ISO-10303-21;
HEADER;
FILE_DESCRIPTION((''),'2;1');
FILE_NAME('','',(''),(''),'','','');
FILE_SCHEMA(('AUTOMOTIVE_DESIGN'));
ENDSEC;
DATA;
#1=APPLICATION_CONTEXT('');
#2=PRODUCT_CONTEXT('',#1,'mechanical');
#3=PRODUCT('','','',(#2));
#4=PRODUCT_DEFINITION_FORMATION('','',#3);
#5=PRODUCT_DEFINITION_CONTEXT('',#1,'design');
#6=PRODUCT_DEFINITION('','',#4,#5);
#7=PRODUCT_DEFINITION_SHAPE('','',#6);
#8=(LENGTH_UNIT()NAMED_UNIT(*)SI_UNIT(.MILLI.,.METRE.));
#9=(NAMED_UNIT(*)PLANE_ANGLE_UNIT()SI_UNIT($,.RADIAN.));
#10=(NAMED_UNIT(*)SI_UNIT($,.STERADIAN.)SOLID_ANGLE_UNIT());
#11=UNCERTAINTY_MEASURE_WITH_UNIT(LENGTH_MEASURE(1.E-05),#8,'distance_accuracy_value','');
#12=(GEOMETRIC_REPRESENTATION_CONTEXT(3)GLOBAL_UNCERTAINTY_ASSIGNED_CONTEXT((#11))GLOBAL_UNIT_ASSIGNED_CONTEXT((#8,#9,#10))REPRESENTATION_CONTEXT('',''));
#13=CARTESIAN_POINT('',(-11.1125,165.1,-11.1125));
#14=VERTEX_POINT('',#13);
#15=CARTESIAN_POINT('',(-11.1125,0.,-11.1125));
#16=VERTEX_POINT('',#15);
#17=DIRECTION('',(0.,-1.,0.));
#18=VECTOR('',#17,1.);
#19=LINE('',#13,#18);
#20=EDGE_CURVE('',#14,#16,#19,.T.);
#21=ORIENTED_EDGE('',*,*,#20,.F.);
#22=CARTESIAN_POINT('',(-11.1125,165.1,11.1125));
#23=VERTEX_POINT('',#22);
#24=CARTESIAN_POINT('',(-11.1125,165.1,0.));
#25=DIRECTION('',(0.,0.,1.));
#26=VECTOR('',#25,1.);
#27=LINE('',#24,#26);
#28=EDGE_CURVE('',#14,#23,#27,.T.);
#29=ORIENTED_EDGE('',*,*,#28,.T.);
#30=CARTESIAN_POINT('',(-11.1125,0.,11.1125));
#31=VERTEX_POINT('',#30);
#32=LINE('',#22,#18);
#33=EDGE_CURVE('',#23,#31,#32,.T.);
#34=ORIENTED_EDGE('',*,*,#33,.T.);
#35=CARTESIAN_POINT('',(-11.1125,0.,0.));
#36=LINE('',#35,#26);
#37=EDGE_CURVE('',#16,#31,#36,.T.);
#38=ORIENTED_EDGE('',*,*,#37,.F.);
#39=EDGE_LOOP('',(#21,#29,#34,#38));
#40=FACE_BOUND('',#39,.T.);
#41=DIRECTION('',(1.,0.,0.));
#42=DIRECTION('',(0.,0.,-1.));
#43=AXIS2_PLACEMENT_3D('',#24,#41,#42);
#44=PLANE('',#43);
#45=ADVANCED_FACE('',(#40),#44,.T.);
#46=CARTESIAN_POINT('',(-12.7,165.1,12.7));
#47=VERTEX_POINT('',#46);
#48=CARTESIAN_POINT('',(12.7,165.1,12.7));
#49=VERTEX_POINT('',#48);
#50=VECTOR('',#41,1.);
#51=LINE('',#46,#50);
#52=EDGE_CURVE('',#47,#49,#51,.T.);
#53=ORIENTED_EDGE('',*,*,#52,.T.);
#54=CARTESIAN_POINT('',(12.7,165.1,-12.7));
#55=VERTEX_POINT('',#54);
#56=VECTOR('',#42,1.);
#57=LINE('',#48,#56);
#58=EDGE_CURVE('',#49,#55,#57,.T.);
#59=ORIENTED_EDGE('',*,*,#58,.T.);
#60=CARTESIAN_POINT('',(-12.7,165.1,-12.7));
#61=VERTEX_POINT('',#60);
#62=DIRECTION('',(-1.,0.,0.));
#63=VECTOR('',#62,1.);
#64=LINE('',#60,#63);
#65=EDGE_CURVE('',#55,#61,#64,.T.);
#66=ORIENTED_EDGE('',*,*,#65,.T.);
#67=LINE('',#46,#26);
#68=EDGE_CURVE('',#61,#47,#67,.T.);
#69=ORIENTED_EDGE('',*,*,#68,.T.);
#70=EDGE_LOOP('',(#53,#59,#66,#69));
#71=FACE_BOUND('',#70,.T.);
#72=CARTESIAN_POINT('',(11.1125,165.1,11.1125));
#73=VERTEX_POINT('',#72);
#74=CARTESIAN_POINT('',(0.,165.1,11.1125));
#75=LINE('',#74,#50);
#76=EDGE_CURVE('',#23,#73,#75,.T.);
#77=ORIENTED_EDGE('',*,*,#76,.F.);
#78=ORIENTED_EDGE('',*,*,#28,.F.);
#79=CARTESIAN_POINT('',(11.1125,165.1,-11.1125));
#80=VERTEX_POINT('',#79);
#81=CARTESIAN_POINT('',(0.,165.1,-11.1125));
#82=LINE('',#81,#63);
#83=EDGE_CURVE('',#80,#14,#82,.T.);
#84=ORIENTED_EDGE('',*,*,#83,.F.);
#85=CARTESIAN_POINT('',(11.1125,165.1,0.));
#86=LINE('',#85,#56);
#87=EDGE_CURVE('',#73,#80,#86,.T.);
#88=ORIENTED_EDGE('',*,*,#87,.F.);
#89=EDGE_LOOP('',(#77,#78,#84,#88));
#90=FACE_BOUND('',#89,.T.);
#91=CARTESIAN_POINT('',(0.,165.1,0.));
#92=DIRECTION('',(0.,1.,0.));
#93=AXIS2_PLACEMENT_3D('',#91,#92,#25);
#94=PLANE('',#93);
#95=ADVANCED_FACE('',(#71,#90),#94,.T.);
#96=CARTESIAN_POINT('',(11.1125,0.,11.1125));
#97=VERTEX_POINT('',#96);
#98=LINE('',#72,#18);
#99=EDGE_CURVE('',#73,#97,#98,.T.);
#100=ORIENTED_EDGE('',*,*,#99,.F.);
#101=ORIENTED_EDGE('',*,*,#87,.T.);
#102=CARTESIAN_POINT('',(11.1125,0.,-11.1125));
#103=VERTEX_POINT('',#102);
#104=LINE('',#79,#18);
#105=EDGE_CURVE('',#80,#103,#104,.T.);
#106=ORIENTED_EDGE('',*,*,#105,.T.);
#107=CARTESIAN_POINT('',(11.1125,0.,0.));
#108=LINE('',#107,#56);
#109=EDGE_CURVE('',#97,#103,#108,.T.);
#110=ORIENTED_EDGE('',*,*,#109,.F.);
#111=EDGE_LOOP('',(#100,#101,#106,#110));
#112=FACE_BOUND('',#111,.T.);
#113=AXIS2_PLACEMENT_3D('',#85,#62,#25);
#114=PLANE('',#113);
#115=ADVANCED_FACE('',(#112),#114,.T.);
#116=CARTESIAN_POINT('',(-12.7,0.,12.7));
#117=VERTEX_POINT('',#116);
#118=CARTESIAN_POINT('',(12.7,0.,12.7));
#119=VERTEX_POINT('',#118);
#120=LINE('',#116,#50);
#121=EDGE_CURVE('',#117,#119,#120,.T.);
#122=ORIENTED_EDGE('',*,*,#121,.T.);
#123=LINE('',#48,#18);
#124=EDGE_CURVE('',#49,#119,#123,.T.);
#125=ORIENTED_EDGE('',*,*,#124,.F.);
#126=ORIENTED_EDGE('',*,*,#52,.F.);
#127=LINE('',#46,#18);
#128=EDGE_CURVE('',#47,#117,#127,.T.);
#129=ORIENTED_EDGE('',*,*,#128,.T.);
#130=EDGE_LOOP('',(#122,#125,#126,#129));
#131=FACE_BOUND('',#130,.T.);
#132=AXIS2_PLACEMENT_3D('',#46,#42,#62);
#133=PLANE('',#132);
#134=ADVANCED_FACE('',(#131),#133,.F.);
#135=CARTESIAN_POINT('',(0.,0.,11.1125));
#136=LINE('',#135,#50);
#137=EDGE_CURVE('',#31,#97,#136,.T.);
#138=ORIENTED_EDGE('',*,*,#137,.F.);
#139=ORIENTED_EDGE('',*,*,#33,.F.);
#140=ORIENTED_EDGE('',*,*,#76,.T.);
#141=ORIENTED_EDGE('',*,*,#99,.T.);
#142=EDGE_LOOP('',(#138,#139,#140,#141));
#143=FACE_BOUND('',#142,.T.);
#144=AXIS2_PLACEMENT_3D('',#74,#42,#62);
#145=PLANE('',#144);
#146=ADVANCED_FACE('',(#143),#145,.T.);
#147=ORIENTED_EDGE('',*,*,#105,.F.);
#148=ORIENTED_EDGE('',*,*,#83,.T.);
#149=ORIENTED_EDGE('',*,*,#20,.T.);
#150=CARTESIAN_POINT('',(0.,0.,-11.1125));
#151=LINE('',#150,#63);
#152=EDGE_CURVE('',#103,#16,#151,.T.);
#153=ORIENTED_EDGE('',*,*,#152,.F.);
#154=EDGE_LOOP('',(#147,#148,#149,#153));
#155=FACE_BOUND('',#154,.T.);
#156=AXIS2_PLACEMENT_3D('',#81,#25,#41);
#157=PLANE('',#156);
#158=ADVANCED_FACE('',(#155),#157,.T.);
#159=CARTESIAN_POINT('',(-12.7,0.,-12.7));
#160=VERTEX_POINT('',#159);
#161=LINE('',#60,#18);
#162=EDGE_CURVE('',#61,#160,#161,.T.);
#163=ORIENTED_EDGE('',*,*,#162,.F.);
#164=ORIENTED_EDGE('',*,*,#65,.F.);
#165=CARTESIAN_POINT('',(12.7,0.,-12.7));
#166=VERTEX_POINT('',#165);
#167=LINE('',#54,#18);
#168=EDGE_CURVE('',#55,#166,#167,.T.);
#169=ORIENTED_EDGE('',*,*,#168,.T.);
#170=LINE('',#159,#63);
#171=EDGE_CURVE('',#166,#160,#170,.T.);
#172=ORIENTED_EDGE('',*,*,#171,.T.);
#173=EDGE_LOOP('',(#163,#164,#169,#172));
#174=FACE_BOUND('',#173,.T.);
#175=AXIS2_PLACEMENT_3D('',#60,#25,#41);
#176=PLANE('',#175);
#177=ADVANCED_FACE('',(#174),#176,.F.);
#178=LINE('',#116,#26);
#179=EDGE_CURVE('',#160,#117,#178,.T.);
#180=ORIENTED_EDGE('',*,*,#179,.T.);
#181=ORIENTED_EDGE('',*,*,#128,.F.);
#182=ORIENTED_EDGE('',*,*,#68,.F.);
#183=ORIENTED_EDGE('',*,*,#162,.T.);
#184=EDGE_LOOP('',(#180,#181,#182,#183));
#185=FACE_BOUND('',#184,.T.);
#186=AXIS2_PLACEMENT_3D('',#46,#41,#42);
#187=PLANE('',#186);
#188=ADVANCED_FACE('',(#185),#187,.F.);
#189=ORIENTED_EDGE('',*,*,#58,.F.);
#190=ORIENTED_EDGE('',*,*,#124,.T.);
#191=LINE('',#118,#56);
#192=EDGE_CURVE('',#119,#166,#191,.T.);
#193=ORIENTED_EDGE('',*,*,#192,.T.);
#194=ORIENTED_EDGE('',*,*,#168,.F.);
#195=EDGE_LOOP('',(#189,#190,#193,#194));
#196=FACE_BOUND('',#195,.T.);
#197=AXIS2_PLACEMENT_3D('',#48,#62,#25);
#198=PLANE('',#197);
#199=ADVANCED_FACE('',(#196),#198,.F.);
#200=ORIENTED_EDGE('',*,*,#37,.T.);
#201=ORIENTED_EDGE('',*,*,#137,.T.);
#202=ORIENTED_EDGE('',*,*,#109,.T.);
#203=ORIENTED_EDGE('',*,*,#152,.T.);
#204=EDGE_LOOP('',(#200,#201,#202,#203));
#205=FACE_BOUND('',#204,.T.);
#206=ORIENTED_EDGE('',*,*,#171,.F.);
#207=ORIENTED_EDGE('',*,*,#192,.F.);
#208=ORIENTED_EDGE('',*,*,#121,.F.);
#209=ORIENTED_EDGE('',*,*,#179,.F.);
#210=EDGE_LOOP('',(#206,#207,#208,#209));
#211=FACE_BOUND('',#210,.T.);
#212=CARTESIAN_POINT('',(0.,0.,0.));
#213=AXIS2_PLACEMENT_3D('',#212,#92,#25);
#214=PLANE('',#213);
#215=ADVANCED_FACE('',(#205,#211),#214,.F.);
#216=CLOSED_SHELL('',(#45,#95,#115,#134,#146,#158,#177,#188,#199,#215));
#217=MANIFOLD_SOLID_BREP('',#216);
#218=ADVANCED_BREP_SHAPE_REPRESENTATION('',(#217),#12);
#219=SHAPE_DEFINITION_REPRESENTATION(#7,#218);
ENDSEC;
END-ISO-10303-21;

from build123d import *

# Parameters (mm, degrees)
SKETCH1_W           = 25.4
SKETCH1_H           = 25.4
SKETCH1_W_2         = 22.225
SKETCH1_H_2         = 22.225
EXTRUDE_THIN1_DEPTH = 165.1


with BuildPart() as part:
    # Sketch1 → Extrude-Thin1 (new body)
    with BuildSketch(Plane(origin=(0, 0, 0), x_dir=(1, 0, 0), z_dir=(0, 1, 0))):
        Rectangle(SKETCH1_W, SKETCH1_H)
        Rectangle(SKETCH1_W_2, SKETCH1_H_2, mode=Mode.SUBTRACT)
    extrude(amount=EXTRUDE_THIN1_DEPTH)


solid = part.part
